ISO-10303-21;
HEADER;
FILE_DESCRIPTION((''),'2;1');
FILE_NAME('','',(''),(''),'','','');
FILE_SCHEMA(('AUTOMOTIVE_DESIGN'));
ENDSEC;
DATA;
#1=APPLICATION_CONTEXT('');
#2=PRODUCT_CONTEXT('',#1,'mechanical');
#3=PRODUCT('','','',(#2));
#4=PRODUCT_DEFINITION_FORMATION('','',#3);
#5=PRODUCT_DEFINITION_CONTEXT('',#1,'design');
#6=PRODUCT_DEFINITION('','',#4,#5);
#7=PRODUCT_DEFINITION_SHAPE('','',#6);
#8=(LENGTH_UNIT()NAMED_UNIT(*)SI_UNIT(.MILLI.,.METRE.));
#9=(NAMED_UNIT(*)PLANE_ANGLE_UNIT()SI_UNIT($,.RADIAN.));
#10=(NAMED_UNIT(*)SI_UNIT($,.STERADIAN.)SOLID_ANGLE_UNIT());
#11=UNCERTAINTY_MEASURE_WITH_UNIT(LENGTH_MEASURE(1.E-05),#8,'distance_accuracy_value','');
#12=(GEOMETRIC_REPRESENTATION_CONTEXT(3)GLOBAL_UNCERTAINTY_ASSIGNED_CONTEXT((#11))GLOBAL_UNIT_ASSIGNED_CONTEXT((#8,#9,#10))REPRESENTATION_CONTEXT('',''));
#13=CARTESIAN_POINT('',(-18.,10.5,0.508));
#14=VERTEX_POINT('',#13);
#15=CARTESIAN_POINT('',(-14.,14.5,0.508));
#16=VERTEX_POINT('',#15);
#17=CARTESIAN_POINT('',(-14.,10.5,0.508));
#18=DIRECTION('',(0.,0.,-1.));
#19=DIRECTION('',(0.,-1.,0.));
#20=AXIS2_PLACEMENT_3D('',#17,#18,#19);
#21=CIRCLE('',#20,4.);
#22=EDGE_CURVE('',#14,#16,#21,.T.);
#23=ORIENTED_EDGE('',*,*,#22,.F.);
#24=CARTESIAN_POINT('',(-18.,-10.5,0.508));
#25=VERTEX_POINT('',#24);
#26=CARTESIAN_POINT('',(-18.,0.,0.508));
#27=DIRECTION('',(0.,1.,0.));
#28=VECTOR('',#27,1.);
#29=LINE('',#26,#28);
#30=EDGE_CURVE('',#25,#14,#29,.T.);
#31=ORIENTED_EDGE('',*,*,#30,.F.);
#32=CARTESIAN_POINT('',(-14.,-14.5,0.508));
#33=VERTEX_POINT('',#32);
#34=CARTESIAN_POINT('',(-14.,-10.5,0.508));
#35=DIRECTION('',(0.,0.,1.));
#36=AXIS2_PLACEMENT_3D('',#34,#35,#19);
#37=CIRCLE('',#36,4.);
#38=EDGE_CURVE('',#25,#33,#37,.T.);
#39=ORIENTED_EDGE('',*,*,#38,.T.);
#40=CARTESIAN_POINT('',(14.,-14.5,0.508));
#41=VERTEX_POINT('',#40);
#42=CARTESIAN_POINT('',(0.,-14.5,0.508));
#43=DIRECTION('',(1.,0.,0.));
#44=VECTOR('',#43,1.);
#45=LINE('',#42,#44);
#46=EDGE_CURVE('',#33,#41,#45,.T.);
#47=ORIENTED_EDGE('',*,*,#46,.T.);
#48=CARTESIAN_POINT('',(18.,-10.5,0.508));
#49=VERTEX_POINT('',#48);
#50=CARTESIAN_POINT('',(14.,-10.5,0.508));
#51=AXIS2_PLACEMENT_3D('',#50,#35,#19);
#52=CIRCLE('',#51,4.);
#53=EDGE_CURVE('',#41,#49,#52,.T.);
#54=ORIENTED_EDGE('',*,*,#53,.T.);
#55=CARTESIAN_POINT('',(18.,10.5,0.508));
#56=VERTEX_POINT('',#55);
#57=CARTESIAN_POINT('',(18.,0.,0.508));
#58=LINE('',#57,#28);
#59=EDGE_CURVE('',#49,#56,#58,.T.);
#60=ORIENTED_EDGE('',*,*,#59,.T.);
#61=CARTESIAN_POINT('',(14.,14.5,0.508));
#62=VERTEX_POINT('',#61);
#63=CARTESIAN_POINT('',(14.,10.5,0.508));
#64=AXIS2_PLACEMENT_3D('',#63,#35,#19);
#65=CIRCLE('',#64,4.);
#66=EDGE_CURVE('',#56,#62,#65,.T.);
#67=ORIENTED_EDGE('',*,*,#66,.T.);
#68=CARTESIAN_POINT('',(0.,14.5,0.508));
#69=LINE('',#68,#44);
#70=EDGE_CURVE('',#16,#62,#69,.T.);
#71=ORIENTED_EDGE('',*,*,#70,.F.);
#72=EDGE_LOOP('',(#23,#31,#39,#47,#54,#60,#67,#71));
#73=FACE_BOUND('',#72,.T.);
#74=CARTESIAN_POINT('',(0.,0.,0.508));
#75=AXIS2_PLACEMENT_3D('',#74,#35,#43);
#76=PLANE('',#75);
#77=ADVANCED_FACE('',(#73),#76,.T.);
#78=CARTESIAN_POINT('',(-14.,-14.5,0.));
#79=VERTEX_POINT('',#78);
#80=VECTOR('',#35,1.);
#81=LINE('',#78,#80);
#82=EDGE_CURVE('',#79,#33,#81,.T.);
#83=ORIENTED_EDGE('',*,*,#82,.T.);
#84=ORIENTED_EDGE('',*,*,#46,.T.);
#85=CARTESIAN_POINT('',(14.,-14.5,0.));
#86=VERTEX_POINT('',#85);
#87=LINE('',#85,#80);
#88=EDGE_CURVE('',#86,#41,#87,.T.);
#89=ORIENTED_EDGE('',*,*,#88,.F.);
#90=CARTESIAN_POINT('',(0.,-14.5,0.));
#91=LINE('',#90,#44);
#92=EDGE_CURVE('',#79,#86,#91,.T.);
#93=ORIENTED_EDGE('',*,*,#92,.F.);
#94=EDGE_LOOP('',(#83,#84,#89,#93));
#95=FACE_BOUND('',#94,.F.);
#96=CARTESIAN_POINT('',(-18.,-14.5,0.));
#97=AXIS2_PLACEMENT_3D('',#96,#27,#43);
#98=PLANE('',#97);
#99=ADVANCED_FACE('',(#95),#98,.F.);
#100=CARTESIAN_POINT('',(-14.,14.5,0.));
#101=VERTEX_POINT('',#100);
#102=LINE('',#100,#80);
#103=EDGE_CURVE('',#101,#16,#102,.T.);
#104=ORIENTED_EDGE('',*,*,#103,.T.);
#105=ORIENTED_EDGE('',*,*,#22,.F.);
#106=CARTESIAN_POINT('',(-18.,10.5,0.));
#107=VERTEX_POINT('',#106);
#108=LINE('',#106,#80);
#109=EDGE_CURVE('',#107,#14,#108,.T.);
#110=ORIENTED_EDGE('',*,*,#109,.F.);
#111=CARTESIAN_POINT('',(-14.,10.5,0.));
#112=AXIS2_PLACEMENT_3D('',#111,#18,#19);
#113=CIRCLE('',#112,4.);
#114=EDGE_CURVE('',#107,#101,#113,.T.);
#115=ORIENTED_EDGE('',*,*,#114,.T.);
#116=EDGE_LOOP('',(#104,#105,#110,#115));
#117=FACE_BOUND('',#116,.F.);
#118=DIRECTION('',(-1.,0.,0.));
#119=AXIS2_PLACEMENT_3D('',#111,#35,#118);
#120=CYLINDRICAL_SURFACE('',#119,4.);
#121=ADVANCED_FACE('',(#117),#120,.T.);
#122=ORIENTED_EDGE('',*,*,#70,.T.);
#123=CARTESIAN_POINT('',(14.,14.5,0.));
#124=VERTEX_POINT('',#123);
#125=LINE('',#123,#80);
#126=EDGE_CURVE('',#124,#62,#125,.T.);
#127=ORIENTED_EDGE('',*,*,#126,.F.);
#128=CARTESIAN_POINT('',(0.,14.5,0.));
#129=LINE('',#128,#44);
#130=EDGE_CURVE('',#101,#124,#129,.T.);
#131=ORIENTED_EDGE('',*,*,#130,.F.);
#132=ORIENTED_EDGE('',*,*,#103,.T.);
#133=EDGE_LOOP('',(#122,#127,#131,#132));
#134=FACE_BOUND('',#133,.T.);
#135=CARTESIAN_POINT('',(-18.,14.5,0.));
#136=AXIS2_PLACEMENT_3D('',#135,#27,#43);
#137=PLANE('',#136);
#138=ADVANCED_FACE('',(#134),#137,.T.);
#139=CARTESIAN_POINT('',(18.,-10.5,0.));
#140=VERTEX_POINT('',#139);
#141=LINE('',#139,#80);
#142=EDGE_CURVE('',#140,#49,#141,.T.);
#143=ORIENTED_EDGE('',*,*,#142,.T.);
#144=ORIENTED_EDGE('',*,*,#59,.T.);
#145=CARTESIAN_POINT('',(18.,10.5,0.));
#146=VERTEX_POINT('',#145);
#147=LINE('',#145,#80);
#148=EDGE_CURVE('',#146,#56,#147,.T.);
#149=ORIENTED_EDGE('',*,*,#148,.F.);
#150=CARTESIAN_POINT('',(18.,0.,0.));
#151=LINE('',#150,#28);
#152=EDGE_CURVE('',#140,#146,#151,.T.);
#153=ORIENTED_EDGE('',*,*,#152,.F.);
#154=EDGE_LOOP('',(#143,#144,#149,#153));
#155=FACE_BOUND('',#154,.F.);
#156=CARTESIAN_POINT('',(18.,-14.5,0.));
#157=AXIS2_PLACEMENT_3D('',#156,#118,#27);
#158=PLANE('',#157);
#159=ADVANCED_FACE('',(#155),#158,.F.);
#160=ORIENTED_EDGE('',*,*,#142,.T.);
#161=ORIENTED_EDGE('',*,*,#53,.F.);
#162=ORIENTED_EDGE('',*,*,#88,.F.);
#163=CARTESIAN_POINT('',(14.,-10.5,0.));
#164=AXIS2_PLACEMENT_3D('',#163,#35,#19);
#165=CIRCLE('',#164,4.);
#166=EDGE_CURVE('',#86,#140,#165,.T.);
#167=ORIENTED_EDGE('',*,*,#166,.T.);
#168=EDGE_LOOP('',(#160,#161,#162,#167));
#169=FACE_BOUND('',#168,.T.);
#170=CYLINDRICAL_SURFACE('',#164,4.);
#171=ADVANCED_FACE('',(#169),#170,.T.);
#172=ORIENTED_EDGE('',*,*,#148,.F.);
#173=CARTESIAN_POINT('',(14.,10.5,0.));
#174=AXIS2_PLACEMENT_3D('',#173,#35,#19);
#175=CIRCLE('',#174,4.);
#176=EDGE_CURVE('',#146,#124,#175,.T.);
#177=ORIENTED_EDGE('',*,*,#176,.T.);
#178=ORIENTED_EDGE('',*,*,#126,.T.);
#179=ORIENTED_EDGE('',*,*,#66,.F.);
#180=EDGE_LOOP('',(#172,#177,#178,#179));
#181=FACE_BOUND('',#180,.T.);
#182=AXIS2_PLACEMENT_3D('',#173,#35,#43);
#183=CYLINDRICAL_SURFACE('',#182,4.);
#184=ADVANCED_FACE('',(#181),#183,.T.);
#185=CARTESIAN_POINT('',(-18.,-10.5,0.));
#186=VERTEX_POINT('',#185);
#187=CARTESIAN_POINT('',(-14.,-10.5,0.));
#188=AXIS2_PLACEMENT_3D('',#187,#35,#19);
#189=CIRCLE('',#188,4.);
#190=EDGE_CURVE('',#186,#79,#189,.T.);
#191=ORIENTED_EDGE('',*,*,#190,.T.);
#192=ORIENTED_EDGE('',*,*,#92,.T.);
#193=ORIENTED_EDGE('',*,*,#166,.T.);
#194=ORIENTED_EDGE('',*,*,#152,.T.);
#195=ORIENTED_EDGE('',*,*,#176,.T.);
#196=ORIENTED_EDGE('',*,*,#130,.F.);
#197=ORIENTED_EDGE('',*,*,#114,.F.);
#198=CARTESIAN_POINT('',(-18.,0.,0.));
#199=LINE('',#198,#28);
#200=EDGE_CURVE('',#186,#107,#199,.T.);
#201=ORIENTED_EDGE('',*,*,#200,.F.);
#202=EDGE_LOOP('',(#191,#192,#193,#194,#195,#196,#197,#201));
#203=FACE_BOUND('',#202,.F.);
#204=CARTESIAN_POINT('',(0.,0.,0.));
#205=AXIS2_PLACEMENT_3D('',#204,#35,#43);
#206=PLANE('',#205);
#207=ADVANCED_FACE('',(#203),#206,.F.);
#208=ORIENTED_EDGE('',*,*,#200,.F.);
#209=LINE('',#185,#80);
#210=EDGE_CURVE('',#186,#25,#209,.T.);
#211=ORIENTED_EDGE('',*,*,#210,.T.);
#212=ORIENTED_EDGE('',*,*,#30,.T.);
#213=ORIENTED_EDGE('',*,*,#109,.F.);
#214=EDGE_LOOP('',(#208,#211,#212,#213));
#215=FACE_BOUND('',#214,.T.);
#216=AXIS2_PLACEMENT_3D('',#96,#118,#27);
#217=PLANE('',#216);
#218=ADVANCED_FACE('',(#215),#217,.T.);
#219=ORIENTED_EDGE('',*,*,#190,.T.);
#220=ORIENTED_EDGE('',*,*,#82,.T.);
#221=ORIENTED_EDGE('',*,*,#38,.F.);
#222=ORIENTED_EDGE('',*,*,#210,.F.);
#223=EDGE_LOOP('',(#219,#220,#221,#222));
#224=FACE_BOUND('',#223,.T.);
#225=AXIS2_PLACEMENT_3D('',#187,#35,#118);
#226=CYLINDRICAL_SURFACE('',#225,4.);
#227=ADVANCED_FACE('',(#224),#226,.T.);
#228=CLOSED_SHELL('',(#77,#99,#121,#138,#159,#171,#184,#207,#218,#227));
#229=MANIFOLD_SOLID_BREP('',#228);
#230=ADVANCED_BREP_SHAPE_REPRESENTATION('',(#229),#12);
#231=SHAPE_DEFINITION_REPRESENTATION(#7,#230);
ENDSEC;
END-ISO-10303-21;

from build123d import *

# Parameters (mm, degrees)
SKETCH1_W           = 36
SKETCH1_H           = 29
BOSS_EXTRUDE1_DEPTH = 0.508
FILLET1_R           = 4


with BuildPart() as part:
    # Sketch1 → Boss-Extrude1 (new body)
    with BuildSketch(Plane.XY):
        Rectangle(SKETCH1_W, SKETCH1_H)
    extrude(amount=BOSS_EXTRUDE1_DEPTH)

    # Fillet1
    fillet1_edges = [part.edges().sort_by_distance(p)[0] for p in [
        (-18, 14.5, 0.254),
        (18, 14.5, 0.254),
        (18, -14.5, 0.254),
        (-18, -14.5, 0.254),
    ]]
    fillet(fillet1_edges, radius=FILLET1_R)


solid = part.part
